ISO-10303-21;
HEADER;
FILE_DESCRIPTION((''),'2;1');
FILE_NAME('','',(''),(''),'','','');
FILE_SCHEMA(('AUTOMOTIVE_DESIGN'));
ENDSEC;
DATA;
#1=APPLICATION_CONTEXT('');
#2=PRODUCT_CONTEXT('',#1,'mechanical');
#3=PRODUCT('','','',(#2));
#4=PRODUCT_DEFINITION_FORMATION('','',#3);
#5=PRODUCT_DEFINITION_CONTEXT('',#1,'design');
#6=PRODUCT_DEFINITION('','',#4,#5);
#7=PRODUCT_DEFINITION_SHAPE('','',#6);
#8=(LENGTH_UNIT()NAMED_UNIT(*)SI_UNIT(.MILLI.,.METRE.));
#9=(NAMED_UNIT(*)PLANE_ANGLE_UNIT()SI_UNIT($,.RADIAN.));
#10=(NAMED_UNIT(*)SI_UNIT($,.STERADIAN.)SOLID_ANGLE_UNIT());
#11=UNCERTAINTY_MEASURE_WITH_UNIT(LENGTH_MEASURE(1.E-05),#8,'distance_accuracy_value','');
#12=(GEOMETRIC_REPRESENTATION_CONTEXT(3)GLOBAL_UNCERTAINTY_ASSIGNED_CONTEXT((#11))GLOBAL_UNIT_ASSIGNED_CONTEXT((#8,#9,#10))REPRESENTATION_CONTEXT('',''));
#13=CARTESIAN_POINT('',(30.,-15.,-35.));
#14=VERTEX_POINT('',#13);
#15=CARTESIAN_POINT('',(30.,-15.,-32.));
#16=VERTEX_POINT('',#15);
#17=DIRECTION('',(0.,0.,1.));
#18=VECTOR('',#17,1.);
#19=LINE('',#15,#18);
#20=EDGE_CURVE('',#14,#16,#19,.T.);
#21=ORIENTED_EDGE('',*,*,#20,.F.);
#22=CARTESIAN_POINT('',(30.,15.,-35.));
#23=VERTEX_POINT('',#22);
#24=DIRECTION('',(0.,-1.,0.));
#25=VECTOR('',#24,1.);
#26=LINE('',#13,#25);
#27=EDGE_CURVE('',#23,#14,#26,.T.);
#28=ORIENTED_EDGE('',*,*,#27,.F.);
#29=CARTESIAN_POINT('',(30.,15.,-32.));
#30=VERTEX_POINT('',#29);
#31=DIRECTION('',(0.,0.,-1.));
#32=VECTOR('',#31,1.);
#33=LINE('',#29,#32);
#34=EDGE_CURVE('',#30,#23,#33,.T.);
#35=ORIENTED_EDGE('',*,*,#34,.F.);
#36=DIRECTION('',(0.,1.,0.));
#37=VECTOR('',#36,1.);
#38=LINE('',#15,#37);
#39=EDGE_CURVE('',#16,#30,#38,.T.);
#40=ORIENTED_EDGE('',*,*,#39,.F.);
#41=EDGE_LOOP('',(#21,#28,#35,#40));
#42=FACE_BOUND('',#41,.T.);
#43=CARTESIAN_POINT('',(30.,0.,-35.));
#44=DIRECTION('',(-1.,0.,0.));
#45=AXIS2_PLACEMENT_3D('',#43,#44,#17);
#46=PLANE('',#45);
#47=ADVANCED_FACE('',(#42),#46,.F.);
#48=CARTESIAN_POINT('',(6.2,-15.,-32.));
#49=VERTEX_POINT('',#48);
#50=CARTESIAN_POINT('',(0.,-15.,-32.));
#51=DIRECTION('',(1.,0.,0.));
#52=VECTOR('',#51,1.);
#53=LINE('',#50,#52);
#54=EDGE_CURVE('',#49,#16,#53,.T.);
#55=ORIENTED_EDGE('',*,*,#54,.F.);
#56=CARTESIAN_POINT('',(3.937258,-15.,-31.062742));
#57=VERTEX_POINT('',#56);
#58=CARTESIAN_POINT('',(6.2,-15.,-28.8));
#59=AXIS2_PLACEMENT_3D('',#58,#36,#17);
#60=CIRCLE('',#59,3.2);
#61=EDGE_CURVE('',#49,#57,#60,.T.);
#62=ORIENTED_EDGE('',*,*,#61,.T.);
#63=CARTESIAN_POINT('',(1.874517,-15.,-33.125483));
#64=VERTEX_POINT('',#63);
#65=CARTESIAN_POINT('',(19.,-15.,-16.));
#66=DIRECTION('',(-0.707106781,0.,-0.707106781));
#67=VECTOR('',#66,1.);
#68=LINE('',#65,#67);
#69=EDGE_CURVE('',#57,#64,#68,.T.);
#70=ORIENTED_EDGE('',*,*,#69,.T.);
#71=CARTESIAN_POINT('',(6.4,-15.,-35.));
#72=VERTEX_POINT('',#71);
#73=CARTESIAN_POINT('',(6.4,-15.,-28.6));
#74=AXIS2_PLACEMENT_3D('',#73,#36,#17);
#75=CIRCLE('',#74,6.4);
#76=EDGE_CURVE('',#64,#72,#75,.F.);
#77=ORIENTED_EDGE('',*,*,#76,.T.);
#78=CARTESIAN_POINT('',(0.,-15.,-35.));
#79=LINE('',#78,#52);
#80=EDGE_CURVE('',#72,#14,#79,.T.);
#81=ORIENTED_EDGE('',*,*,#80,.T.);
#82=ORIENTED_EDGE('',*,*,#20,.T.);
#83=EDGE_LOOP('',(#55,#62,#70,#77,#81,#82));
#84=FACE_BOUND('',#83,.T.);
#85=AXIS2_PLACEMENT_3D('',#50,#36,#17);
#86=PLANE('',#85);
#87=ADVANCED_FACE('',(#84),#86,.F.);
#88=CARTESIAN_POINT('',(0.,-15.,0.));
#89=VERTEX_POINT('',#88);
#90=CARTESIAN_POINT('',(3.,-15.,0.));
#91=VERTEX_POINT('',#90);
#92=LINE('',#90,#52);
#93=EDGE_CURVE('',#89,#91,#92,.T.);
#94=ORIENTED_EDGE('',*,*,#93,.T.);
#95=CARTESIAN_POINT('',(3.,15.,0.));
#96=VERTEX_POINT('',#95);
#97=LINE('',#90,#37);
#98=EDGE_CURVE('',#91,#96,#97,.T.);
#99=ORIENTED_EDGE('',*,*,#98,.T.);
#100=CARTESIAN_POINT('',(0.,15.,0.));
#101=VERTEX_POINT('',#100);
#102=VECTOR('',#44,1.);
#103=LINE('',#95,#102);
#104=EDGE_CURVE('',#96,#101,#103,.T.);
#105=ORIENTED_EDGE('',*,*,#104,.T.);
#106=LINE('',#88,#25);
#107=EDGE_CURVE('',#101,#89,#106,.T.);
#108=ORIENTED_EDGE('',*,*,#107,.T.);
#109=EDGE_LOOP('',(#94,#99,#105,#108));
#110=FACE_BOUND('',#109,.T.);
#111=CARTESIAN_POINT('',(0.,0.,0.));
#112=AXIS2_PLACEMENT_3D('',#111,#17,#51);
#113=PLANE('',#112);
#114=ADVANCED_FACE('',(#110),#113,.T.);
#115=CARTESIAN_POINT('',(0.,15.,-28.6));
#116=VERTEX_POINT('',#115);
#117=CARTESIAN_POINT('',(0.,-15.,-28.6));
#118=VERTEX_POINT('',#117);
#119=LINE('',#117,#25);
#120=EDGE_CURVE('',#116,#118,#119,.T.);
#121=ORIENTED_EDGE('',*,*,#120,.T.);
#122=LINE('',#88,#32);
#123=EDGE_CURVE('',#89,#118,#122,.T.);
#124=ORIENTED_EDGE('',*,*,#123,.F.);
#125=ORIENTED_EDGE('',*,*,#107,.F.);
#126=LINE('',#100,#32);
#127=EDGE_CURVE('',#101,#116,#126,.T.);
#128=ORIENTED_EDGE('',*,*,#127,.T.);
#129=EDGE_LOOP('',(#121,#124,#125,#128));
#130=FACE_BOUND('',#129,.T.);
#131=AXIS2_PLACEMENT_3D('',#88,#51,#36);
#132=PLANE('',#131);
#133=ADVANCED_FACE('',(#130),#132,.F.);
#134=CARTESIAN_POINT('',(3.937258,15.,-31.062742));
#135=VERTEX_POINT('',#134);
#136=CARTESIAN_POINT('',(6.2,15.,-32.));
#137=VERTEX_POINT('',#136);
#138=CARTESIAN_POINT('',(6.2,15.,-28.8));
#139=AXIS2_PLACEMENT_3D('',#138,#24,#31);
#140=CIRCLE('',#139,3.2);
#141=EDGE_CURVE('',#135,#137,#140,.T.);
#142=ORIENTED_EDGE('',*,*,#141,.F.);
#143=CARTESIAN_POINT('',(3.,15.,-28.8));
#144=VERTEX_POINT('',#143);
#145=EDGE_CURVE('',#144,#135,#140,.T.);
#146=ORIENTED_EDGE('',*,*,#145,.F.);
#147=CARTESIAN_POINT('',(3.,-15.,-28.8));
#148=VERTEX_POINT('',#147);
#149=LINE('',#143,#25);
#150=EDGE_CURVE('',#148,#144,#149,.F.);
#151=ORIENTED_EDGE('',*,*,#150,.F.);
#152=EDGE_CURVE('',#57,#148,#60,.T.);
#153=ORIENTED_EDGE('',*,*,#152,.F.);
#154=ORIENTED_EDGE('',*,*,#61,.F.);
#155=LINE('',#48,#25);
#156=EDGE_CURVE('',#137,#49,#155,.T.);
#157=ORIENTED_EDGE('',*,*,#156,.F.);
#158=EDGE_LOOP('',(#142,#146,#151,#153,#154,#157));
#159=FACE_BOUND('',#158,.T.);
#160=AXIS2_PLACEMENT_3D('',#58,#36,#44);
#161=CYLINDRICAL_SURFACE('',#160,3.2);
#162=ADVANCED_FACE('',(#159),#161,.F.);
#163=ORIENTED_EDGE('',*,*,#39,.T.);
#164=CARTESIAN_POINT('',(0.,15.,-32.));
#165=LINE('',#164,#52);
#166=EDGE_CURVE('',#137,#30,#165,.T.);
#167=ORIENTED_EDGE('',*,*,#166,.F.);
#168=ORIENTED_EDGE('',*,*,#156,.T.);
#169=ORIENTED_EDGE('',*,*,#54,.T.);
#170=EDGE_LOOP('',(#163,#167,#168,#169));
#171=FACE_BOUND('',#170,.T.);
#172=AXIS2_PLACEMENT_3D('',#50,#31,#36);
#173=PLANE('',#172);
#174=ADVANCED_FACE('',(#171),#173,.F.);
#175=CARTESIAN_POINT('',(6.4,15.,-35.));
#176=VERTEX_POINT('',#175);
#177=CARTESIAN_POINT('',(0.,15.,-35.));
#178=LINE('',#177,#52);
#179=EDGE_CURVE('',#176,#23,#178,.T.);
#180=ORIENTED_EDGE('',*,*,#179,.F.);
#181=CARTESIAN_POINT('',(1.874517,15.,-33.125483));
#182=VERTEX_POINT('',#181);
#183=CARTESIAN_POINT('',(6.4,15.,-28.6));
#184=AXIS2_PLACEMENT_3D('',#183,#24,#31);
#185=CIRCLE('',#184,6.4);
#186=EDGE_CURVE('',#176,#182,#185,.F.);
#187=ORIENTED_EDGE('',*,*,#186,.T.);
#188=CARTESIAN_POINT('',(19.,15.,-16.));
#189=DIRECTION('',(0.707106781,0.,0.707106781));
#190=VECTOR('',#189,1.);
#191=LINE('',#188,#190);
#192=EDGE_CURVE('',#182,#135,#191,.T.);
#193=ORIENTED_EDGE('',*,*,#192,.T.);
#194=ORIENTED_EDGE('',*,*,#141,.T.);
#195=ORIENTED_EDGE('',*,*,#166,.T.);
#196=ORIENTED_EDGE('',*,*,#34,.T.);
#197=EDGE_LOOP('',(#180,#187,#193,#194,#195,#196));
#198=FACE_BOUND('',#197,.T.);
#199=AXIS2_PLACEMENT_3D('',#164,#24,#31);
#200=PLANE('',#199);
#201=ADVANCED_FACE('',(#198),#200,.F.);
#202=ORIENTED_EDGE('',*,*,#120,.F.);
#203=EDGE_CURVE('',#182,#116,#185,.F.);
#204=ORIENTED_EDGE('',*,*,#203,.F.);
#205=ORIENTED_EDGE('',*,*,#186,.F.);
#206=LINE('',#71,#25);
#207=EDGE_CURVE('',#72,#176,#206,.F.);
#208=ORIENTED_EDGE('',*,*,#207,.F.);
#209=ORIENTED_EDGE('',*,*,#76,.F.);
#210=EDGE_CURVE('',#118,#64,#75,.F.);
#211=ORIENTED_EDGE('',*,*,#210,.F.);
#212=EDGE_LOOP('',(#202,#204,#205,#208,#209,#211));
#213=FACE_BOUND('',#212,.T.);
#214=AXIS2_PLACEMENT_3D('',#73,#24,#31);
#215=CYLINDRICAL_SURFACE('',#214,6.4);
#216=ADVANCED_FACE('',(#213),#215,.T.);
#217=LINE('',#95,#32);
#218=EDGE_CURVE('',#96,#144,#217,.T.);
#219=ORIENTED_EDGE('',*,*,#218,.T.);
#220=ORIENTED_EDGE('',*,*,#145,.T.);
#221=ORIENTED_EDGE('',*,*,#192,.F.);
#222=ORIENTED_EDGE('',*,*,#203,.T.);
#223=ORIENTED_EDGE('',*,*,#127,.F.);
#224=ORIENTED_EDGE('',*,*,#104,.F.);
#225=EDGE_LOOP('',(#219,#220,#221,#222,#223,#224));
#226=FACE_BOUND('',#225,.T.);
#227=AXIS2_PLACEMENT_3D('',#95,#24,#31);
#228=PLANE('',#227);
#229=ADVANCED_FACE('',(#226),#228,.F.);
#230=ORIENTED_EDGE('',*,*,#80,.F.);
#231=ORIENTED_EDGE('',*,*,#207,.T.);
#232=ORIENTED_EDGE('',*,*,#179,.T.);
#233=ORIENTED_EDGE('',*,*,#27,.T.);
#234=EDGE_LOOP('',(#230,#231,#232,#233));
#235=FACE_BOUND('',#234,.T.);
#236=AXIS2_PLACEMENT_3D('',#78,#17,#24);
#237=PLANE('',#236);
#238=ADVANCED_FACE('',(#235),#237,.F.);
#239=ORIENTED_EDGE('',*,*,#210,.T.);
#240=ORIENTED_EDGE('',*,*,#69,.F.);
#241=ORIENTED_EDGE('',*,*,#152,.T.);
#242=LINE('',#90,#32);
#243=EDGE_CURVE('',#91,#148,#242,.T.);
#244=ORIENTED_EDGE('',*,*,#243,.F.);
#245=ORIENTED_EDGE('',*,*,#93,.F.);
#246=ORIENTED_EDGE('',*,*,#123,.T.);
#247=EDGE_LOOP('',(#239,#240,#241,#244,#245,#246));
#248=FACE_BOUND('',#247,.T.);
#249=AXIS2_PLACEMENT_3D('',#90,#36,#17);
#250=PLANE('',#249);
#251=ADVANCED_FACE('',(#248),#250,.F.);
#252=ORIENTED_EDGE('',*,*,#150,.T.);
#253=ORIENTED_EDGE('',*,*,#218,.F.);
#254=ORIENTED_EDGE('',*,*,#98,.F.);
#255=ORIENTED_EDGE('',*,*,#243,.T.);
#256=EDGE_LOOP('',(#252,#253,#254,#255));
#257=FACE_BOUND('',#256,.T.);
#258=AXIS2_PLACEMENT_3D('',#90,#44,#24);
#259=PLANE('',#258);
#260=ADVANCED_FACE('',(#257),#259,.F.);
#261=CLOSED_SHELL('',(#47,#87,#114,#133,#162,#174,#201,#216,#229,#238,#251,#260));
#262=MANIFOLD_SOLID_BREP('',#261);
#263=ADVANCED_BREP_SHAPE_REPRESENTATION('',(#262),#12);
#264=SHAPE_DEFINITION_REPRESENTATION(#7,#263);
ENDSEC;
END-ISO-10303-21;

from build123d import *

# Parameters (mm, degrees)
SKETCH3_W = 3
SKETCH3_H = 30
FILLET1_R = 3.2
FILLET2_R = 6.4


with BuildPart() as part:
    # Sweep1: sweep along a path in Sketch4
    with BuildLine(Plane(origin=(0, 0, 0), x_dir=(1, 0, 0), z_dir=(0, 1, 0))) as sweep1_path:
        Line((0, 0), (0, 35))
        Line((0, 35), (30, 35))
    # Sketch3 → Sweep1 (sweep)
    with BuildSketch(Plane.XY):
        with Locations((1.5, 0)):
            Rectangle(SKETCH3_W, SKETCH3_H)
    sweep(path=sweep1_path.line, transition=Transition.RIGHT)

    # Fillet1
    fillet1_edges = [part.edges().sort_by_distance(p)[0] for p in [
        (3, 0, -32),
    ]]
    fillet(fillet1_edges, radius=FILLET1_R)

    # Fillet2
    fillet2_edges = [part.edges().sort_by_distance(p)[0] for p in [
        (0, 0, -35),
    ]]
    fillet(fillet2_edges, radius=FILLET2_R)


solid = part.part
